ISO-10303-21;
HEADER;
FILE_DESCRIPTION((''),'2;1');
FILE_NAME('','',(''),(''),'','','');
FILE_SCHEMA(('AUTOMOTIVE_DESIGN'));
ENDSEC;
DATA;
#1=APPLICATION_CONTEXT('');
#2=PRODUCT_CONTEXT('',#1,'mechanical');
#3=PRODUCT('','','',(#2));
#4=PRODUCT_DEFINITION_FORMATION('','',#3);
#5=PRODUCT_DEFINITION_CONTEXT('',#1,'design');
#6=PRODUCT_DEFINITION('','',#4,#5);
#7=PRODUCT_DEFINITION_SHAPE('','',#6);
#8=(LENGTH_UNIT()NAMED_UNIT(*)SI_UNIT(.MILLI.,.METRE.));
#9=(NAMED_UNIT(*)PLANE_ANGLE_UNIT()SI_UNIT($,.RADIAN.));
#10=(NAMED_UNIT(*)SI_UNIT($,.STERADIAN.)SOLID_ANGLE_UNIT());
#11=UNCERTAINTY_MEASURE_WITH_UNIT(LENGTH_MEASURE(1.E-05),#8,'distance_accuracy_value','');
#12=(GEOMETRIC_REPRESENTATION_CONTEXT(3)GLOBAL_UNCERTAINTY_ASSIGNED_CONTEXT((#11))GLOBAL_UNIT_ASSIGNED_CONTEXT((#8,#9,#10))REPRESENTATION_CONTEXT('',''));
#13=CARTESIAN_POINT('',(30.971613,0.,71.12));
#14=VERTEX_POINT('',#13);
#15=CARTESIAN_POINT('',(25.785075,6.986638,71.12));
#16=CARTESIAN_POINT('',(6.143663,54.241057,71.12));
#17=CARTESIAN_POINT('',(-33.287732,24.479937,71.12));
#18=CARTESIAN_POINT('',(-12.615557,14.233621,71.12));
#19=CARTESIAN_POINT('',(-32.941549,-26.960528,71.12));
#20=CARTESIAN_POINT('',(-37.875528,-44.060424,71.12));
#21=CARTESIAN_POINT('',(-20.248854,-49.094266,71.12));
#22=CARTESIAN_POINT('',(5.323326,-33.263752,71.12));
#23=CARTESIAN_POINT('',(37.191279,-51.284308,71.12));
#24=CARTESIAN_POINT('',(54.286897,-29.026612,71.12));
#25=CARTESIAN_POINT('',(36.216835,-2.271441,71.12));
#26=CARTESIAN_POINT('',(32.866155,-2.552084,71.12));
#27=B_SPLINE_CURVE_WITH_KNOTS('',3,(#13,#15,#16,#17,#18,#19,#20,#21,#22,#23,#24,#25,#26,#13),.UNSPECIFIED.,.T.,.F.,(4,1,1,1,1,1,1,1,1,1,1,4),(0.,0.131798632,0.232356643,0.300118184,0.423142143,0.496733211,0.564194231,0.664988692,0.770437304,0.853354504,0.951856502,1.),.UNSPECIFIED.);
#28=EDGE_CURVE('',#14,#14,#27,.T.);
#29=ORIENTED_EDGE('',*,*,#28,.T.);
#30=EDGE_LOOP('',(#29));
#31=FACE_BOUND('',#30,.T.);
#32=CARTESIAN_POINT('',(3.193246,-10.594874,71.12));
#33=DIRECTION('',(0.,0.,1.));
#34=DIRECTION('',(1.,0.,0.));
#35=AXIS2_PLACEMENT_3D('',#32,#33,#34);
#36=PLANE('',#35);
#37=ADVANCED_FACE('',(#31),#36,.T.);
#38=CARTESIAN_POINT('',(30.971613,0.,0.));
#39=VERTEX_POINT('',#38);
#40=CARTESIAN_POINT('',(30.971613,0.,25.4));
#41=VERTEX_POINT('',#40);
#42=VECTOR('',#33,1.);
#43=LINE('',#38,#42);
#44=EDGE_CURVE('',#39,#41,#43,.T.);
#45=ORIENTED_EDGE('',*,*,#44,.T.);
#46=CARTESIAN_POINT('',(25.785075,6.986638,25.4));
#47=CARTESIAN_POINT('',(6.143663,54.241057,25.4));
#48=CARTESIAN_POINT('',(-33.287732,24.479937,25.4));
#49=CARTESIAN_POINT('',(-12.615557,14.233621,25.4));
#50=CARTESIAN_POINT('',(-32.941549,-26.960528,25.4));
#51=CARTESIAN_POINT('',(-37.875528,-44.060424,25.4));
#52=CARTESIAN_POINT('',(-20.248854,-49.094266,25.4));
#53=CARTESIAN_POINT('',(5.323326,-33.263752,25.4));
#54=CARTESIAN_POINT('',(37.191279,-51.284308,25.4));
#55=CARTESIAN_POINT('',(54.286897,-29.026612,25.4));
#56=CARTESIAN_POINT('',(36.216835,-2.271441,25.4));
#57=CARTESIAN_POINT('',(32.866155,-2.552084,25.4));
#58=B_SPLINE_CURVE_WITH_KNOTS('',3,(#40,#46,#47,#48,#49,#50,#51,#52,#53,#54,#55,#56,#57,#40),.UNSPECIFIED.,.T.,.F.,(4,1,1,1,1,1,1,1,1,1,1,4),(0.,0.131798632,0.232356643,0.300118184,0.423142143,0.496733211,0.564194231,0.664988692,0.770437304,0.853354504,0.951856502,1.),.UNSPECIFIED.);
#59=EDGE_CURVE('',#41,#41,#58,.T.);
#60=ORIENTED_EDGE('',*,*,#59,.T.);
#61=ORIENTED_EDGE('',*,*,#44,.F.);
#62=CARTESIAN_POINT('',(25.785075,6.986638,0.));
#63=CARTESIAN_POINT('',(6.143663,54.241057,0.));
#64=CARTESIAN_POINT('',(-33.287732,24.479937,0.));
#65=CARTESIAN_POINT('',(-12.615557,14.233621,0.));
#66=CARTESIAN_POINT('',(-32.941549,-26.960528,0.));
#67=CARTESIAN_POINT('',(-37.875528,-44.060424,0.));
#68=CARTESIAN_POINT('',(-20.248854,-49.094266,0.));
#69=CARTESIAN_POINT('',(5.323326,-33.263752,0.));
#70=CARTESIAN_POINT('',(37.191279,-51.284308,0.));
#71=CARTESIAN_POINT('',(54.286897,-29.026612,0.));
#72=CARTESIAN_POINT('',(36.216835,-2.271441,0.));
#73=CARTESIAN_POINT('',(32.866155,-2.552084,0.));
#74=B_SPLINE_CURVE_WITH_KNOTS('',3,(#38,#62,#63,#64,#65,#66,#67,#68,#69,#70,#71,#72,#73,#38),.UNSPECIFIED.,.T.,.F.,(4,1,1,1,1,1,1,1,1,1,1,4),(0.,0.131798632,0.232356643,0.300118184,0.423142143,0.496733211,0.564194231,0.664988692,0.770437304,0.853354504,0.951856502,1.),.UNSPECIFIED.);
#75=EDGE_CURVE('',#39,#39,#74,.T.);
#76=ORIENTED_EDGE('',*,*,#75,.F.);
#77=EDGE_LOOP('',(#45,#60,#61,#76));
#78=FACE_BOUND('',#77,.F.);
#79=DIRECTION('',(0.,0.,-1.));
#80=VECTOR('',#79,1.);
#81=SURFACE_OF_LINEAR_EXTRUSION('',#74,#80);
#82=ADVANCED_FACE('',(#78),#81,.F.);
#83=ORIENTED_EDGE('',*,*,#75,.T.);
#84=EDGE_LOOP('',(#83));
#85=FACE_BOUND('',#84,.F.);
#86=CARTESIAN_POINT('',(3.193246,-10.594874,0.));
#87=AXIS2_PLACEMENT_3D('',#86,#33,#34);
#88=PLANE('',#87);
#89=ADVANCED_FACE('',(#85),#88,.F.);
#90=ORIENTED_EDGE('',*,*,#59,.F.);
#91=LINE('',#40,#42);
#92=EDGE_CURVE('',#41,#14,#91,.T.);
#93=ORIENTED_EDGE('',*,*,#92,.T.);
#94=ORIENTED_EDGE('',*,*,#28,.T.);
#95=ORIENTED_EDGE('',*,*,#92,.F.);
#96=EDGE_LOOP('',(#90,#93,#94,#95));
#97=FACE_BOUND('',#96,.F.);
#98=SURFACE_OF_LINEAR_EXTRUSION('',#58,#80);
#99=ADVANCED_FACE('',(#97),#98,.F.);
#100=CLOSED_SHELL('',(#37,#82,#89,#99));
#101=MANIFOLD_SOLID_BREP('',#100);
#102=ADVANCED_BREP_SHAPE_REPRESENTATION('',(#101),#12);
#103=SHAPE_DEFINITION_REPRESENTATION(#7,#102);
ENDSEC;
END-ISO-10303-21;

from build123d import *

# Parameters (mm, degrees)
F1_DEPTH = 25.4
F2_DEPTH = 45.72


with BuildPart() as f1:
    # F0 (on Top) → F1 (new body)
    with BuildSketch(Plane.XY):
        with BuildLine():
            add(Edge.make_bspline(
                [(30.9716127813, 0), (25.7850753021, 6.9866384754), (6.1436628888, 54.2410571674), (-33.2877317661, 24.4799365679), (-12.6155570368, 14.2336206134), (-32.9415485566, -26.9605282707), (-37.8755284353, -44.0604238863), (-20.2488540671, -49.0942660104), (5.3233256517, -33.2637524477), (37.1912791522, -51.2843083897), (54.2868965893, -29.0266120644), (36.2168349935, -2.2714405319), (32.8661548966, -2.552084293), (30.9716127813, 0)],
                knots=[0, 0, 0, 0, 0.131798632, 0.2323566435, 0.3001181836, 0.423142143, 0.4967332108, 0.5641942311, 0.6649886923, 0.7704373042, 0.8533545036, 0.9518565016, 1, 1, 1, 1], degree=3))
        make_face()
    extrude(amount=F1_DEPTH)

    # F2 (add): a face of the model
    f2_faces = [f1.faces().sort_by_distance(p)[0] for p in [
        (4.3509569408, -9.9729478445, 25.4),
    ]]
    extrude(f2_faces, amount=F2_DEPTH)


solid = f1.part
